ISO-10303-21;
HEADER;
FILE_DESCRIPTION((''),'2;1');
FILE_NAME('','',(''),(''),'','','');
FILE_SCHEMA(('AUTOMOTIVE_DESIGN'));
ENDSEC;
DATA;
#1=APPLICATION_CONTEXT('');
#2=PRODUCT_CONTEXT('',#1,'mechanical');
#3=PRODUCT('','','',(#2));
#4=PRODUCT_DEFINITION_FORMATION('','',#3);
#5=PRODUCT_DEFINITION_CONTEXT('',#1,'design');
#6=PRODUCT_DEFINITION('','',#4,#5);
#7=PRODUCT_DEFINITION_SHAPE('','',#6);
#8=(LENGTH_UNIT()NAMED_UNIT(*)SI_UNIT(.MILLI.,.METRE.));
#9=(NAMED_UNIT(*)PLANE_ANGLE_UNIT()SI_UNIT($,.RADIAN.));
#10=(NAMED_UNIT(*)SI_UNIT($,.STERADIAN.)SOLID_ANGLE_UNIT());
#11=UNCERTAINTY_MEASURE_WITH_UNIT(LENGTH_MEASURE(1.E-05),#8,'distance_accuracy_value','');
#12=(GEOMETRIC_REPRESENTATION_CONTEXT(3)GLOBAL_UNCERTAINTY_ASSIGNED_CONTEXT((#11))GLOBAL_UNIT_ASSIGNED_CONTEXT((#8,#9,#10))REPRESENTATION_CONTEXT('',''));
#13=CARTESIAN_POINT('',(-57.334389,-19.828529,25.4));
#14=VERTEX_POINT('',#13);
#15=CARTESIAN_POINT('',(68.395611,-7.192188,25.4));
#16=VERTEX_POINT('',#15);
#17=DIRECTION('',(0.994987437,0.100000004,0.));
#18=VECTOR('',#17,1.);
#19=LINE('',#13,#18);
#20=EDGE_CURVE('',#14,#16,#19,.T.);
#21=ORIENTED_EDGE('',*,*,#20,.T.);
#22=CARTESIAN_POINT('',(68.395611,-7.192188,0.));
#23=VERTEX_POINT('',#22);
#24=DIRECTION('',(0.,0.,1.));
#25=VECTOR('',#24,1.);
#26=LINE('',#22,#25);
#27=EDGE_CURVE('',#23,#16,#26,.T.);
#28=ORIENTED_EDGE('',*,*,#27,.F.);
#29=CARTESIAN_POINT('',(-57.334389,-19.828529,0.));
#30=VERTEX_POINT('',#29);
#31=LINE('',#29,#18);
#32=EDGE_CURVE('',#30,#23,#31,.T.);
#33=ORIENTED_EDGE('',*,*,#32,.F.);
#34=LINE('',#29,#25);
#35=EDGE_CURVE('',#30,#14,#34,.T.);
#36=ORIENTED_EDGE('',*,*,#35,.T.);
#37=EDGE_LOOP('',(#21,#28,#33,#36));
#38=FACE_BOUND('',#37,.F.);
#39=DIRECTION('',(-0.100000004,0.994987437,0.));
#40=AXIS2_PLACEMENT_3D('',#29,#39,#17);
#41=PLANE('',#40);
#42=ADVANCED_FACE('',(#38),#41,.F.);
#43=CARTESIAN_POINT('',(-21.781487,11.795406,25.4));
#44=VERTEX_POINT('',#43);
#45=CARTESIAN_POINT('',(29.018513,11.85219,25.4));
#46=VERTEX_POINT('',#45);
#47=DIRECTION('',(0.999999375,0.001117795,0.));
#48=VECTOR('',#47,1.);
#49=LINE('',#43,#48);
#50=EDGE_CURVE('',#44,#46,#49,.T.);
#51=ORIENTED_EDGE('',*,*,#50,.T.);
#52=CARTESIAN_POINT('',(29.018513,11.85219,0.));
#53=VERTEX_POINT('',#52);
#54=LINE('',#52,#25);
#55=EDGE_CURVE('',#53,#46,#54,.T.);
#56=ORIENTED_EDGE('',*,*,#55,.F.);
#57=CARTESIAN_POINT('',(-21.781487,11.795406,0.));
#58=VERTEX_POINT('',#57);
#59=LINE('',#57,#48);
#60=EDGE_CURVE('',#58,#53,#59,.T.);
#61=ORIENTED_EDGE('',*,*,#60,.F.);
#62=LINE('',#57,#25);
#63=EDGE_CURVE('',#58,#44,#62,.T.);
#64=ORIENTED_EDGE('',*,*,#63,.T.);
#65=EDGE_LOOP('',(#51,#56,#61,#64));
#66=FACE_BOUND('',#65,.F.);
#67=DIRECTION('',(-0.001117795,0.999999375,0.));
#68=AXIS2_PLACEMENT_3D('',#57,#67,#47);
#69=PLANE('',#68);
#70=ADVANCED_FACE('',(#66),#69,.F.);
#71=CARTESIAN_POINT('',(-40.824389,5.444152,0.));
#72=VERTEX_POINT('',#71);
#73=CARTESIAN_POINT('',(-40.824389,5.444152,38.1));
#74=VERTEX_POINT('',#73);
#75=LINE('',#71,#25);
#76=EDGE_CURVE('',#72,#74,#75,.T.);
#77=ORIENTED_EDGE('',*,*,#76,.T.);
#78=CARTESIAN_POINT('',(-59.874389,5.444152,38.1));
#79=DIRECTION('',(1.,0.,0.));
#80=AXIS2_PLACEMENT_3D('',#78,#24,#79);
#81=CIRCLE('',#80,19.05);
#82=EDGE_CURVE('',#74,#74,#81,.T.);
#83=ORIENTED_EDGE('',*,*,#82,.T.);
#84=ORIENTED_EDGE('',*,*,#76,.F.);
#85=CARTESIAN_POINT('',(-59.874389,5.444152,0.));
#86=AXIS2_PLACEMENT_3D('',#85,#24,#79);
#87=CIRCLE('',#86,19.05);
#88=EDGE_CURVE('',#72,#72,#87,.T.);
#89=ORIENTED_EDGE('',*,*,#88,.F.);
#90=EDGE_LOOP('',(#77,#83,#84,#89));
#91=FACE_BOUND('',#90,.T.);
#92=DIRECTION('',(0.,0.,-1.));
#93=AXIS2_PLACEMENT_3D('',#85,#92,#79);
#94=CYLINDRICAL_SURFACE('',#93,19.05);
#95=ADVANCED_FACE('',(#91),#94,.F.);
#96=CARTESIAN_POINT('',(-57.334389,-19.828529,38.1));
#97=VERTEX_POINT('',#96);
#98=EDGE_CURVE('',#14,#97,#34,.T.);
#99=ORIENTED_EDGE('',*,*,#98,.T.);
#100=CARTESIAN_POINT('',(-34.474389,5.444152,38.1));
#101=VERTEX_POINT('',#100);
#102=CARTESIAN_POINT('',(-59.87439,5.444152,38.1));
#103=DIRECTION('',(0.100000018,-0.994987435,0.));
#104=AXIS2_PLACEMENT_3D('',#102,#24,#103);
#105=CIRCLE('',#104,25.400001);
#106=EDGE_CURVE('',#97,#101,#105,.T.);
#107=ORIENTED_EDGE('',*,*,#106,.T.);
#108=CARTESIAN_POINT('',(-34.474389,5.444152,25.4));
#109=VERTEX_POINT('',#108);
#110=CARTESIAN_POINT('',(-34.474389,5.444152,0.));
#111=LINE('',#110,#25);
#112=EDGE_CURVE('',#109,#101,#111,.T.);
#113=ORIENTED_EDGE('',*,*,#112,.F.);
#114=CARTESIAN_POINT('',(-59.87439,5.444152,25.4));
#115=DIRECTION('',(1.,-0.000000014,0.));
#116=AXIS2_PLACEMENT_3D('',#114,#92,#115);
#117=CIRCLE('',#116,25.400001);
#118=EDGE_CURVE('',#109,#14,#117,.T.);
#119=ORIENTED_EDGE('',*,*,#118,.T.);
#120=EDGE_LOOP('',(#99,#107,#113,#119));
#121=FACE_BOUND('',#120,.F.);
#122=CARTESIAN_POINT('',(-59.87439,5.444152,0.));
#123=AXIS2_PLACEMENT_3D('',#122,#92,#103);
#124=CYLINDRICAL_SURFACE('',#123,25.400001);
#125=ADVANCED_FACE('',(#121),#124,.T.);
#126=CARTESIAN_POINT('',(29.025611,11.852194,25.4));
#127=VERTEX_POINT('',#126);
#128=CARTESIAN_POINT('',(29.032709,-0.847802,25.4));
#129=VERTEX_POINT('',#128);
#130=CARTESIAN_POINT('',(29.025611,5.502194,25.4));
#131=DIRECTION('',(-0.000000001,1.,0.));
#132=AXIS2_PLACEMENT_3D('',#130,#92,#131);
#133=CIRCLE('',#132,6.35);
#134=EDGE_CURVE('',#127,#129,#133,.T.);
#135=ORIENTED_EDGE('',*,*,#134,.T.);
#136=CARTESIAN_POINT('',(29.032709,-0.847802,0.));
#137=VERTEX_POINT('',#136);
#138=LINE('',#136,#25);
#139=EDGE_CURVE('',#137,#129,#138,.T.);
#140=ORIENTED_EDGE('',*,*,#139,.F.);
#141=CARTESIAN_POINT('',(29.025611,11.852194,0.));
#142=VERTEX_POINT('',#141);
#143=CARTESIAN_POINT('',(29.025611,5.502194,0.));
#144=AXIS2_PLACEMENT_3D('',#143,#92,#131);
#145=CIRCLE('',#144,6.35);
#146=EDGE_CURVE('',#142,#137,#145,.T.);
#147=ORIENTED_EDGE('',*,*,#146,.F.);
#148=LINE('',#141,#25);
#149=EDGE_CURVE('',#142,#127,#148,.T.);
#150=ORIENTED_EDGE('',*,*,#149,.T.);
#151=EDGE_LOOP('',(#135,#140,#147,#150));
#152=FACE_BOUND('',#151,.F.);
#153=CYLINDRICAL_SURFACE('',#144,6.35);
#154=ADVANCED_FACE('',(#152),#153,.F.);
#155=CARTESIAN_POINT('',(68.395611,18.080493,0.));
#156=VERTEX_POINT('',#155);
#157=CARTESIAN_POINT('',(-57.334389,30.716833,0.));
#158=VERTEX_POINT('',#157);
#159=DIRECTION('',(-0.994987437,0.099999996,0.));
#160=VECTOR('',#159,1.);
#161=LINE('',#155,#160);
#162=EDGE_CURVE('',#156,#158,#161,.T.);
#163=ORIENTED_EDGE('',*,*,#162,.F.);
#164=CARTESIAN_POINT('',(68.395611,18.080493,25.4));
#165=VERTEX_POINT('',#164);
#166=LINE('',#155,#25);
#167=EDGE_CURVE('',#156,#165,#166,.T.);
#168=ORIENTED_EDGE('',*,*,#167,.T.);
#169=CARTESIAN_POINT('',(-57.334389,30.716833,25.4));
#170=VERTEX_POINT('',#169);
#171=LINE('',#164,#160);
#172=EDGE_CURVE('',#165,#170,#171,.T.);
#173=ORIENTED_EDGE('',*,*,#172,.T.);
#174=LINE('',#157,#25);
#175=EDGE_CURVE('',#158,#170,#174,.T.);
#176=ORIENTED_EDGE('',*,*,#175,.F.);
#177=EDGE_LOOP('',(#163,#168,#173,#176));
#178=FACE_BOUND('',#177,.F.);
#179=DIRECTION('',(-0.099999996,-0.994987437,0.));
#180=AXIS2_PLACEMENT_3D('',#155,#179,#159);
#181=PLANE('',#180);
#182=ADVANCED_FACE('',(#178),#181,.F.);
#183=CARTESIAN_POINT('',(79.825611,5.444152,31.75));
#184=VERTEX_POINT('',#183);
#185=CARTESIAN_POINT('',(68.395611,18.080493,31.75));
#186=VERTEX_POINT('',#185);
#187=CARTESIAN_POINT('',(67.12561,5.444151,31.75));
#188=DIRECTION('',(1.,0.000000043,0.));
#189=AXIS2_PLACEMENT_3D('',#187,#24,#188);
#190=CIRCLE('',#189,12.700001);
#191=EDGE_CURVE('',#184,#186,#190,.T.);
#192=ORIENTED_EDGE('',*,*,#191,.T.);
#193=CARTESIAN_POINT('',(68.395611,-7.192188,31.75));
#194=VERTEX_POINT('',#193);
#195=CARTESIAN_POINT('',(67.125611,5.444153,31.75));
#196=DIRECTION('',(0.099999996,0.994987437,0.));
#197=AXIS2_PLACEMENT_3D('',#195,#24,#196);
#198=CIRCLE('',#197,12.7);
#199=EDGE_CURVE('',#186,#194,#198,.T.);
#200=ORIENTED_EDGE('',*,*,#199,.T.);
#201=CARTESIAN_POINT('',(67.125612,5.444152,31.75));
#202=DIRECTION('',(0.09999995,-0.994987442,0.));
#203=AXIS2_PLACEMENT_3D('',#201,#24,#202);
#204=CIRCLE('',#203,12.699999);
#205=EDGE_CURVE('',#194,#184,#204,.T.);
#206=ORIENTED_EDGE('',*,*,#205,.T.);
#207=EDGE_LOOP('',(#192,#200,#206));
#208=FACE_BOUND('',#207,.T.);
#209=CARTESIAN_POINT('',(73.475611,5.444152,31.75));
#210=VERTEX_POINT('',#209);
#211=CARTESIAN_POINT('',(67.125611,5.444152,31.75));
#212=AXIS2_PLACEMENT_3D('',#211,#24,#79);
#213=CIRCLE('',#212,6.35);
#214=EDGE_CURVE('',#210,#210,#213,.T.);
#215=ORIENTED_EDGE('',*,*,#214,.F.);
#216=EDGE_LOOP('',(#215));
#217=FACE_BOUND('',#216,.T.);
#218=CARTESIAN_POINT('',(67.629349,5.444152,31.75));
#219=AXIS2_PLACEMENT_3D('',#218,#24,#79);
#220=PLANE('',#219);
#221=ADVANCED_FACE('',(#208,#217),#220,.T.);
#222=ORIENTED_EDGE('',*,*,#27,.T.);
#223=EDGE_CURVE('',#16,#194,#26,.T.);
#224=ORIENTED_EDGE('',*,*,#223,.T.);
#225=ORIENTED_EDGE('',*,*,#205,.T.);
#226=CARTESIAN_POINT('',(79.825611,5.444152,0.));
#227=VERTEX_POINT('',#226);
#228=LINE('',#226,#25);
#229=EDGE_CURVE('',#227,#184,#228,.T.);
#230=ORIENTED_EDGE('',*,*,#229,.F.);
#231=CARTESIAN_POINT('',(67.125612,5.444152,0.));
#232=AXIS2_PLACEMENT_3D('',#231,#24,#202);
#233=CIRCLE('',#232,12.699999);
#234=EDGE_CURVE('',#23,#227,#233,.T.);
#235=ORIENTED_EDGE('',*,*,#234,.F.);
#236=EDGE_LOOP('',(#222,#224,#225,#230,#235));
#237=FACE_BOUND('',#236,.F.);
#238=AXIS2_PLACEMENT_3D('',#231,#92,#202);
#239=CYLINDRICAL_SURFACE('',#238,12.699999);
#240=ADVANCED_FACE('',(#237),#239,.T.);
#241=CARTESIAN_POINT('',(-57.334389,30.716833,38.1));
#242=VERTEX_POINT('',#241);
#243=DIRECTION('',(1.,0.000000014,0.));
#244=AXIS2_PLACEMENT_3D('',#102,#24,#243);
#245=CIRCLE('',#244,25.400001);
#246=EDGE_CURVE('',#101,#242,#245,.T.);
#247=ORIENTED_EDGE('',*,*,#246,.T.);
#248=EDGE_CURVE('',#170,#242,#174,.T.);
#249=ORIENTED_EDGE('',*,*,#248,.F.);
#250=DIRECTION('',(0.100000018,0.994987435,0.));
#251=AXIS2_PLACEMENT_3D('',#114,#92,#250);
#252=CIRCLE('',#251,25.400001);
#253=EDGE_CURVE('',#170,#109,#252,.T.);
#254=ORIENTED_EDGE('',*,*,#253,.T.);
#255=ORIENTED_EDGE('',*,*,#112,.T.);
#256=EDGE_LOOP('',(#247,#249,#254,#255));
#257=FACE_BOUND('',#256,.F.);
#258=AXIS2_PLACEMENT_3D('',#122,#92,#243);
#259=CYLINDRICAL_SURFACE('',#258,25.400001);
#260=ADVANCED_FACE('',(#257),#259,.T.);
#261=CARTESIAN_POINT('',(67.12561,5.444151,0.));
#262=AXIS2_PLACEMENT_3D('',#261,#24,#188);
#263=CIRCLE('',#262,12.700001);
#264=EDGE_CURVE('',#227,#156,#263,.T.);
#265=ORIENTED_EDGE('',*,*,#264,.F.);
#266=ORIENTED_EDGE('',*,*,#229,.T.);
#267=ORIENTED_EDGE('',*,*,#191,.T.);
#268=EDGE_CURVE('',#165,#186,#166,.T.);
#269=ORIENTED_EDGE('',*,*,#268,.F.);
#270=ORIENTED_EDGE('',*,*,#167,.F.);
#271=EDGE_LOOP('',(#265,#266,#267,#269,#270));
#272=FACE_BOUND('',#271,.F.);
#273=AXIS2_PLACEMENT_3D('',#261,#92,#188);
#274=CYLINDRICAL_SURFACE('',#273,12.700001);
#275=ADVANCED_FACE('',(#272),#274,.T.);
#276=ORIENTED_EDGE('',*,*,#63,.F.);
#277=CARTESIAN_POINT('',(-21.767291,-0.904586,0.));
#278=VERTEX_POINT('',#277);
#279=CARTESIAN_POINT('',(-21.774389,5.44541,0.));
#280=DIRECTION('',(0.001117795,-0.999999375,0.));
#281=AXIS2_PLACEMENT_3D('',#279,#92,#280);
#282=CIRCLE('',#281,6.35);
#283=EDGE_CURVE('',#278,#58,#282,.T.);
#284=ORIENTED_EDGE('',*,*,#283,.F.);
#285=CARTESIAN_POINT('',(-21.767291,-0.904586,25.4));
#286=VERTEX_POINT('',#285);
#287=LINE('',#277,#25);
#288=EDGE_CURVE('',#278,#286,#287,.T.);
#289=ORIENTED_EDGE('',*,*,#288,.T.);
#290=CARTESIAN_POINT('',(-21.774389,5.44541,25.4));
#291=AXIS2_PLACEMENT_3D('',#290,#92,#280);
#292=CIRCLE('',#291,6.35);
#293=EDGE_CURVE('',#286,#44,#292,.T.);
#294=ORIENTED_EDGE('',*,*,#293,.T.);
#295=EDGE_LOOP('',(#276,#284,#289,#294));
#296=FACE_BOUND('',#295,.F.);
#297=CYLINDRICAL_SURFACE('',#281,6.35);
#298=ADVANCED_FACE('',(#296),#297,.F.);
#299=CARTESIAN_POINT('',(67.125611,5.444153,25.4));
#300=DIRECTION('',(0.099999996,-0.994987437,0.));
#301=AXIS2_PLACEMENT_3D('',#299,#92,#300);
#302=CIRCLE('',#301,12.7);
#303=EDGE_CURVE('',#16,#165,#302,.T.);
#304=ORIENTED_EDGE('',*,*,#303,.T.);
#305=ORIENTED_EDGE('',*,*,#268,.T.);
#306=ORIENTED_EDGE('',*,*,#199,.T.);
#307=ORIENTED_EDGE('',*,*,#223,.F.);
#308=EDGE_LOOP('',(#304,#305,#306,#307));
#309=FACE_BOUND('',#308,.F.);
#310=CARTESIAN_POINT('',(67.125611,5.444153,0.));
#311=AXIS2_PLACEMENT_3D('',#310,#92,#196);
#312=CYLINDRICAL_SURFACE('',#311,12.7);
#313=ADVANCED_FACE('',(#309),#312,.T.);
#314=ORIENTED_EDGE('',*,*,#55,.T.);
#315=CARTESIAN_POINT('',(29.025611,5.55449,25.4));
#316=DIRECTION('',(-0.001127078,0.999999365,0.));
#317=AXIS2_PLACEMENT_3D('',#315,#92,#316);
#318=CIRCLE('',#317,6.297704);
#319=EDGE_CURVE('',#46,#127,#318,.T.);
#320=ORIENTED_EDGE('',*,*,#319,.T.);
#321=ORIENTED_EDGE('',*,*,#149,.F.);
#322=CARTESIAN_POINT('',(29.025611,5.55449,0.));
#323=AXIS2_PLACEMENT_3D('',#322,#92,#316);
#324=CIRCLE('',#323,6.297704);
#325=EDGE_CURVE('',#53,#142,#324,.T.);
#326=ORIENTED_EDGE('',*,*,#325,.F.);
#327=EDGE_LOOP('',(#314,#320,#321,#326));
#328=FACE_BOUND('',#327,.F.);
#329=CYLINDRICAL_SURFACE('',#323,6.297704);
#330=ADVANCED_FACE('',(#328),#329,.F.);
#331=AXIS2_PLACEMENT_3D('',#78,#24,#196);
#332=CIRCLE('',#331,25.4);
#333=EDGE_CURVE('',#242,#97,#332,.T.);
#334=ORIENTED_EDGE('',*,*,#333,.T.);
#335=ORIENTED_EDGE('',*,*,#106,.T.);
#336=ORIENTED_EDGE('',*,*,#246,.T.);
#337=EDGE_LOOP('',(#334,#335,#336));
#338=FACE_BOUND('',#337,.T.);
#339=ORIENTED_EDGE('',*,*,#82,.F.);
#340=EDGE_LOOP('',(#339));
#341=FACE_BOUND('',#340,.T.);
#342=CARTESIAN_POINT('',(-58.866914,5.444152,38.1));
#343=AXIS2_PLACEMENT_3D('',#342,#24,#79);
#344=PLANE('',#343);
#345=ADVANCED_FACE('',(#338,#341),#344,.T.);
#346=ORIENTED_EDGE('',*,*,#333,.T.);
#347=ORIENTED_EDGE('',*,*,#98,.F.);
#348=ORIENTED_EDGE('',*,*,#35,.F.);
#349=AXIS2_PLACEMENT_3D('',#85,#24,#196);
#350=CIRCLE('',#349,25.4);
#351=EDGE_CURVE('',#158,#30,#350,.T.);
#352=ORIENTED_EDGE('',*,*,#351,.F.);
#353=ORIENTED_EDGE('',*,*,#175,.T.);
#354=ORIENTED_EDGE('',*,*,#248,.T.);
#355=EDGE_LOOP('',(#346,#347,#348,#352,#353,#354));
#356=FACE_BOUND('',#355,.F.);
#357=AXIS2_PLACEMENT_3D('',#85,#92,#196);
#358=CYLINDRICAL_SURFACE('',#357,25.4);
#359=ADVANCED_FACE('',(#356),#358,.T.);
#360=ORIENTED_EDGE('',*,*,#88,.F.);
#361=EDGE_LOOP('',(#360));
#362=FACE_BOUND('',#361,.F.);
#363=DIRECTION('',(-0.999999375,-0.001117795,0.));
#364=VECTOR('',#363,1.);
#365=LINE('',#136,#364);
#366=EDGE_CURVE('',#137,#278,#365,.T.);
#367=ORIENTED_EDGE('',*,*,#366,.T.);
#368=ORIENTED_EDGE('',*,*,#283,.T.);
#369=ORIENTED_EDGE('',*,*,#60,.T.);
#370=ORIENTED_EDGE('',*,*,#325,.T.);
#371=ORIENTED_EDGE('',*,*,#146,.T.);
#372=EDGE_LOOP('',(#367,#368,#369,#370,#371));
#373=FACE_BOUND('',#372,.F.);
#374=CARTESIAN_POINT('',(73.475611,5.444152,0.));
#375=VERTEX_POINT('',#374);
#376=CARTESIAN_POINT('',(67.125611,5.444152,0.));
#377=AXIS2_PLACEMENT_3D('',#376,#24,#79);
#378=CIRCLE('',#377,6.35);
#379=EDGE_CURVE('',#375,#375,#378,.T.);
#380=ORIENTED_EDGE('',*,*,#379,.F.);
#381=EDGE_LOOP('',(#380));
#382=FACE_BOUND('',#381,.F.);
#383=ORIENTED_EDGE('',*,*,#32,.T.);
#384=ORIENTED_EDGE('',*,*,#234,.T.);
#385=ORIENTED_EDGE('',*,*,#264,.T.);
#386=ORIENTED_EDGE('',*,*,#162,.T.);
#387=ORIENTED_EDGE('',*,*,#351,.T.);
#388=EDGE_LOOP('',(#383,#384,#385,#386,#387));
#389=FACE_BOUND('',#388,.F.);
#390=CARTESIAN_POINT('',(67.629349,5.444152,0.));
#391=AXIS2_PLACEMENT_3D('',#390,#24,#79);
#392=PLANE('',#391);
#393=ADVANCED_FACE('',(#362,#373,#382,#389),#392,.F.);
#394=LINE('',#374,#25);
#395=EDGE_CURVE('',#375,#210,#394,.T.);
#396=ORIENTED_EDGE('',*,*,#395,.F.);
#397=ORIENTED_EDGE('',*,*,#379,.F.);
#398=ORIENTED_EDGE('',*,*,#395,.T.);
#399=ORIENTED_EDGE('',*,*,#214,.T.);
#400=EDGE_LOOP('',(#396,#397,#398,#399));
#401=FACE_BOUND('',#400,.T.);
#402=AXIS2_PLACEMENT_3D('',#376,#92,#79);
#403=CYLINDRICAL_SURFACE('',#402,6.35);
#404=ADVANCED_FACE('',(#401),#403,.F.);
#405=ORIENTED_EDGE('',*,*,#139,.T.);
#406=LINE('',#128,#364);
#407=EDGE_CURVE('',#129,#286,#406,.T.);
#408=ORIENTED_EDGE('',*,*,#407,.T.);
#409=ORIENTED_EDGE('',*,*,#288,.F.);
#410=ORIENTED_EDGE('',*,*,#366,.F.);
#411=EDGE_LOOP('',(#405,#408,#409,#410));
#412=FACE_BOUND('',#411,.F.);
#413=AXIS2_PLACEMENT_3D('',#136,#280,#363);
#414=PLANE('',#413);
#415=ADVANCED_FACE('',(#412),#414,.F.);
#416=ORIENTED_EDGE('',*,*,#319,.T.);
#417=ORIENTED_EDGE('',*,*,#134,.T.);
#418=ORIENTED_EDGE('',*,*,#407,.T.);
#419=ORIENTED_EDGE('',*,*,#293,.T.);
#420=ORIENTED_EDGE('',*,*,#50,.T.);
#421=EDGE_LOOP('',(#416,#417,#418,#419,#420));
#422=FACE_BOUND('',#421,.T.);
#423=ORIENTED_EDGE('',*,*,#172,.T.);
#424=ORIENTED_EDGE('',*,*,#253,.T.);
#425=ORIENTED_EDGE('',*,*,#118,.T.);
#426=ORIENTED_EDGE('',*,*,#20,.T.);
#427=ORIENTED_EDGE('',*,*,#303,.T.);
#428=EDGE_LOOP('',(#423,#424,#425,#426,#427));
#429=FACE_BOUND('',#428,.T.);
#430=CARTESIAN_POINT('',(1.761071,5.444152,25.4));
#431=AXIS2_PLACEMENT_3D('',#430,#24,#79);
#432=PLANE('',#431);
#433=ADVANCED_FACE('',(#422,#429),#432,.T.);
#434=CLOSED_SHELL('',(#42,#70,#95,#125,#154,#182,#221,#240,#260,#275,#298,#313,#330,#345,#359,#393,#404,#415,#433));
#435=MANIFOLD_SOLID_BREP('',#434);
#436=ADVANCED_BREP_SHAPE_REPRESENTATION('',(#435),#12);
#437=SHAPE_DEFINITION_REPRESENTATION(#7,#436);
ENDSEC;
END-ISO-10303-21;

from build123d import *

# Parameters (mm, degrees)
F1_DEPTH = 25.4
F0_R     = 19.05
F2_DEPTH = 38.1
F0_R_2   = 6.35
F3_DEPTH = 31.75


with BuildPart() as f1:
    # F0 (on Top) → F1 (new body)
    with BuildSketch(Plane.XY):
        with BuildLine():
            ThreePointArc((-57.334389, 30.716833), (-41.037245, 22.48299), (-34.474389, 5.444152))
            ThreePointArc((-34.474389, 5.444152), (-41.037245, -11.594686), (-57.334389, -19.828529))
            Line((-57.334389, -19.828529), (68.395611, -7.192188))
            ThreePointArc((68.395611, -7.192188), (54.425611, 5.444152), (68.395611, 18.080493))
            Line((68.395611, 18.080493), (-57.334389, 30.716833))
        make_face()
        with BuildLine():
            ThreePointArc((-21.767291, -0.904586), (-28.124385, 5.438312), (-21.781487, 11.795406))
            Line((-21.781487, 11.795406), (29.018513, 11.85219))
            ThreePointArc((29.018513, 11.85219), (29.022062, 11.852193), (29.025611, 11.852194))
            ThreePointArc((29.025611, 11.852194), (35.37561, 5.505743), (29.032709, -0.847802))
            Line((29.032709, -0.847802), (-21.767291, -0.904586))
        make_face(mode=Mode.SUBTRACT)
    extrude(amount=F1_DEPTH)

    # F0 (on Top) → F2 (join)
    with BuildSketch(Plane.XY):
        with BuildLine():
            ThreePointArc((-57.334389, -19.828529), (-41.037245, -11.594686), (-34.474389, 5.444152))
            ThreePointArc((-34.474389, 5.444152), (-41.037245, 22.48299), (-57.334389, 30.716833))
            ThreePointArc((-57.334389, 30.716833), (-85.274389, 5.444152), (-57.334389, -19.828529))
        make_face()
        with Locations((-59.874389, 5.444152)):
            Circle(F0_R, mode=Mode.SUBTRACT)
    extrude(amount=F2_DEPTH)

    # F0 (on Top) → F3 (join)
    with BuildSketch(Plane.XY):
        with BuildLine():
            ThreePointArc((79.825611, 5.444152), (76.544183, 13.963571), (68.395611, 18.080493))
            ThreePointArc((68.395611, 18.080493), (54.425611, 5.444152), (68.395611, -7.192188))
            ThreePointArc((68.395611, -7.192188), (76.544183, -3.075267), (79.825611, 5.444152))
        make_face()
        with Locations((67.125611, 5.444152)):
            Circle(F0_R_2, mode=Mode.SUBTRACT)
    extrude(amount=F3_DEPTH)


solid = f1.part
